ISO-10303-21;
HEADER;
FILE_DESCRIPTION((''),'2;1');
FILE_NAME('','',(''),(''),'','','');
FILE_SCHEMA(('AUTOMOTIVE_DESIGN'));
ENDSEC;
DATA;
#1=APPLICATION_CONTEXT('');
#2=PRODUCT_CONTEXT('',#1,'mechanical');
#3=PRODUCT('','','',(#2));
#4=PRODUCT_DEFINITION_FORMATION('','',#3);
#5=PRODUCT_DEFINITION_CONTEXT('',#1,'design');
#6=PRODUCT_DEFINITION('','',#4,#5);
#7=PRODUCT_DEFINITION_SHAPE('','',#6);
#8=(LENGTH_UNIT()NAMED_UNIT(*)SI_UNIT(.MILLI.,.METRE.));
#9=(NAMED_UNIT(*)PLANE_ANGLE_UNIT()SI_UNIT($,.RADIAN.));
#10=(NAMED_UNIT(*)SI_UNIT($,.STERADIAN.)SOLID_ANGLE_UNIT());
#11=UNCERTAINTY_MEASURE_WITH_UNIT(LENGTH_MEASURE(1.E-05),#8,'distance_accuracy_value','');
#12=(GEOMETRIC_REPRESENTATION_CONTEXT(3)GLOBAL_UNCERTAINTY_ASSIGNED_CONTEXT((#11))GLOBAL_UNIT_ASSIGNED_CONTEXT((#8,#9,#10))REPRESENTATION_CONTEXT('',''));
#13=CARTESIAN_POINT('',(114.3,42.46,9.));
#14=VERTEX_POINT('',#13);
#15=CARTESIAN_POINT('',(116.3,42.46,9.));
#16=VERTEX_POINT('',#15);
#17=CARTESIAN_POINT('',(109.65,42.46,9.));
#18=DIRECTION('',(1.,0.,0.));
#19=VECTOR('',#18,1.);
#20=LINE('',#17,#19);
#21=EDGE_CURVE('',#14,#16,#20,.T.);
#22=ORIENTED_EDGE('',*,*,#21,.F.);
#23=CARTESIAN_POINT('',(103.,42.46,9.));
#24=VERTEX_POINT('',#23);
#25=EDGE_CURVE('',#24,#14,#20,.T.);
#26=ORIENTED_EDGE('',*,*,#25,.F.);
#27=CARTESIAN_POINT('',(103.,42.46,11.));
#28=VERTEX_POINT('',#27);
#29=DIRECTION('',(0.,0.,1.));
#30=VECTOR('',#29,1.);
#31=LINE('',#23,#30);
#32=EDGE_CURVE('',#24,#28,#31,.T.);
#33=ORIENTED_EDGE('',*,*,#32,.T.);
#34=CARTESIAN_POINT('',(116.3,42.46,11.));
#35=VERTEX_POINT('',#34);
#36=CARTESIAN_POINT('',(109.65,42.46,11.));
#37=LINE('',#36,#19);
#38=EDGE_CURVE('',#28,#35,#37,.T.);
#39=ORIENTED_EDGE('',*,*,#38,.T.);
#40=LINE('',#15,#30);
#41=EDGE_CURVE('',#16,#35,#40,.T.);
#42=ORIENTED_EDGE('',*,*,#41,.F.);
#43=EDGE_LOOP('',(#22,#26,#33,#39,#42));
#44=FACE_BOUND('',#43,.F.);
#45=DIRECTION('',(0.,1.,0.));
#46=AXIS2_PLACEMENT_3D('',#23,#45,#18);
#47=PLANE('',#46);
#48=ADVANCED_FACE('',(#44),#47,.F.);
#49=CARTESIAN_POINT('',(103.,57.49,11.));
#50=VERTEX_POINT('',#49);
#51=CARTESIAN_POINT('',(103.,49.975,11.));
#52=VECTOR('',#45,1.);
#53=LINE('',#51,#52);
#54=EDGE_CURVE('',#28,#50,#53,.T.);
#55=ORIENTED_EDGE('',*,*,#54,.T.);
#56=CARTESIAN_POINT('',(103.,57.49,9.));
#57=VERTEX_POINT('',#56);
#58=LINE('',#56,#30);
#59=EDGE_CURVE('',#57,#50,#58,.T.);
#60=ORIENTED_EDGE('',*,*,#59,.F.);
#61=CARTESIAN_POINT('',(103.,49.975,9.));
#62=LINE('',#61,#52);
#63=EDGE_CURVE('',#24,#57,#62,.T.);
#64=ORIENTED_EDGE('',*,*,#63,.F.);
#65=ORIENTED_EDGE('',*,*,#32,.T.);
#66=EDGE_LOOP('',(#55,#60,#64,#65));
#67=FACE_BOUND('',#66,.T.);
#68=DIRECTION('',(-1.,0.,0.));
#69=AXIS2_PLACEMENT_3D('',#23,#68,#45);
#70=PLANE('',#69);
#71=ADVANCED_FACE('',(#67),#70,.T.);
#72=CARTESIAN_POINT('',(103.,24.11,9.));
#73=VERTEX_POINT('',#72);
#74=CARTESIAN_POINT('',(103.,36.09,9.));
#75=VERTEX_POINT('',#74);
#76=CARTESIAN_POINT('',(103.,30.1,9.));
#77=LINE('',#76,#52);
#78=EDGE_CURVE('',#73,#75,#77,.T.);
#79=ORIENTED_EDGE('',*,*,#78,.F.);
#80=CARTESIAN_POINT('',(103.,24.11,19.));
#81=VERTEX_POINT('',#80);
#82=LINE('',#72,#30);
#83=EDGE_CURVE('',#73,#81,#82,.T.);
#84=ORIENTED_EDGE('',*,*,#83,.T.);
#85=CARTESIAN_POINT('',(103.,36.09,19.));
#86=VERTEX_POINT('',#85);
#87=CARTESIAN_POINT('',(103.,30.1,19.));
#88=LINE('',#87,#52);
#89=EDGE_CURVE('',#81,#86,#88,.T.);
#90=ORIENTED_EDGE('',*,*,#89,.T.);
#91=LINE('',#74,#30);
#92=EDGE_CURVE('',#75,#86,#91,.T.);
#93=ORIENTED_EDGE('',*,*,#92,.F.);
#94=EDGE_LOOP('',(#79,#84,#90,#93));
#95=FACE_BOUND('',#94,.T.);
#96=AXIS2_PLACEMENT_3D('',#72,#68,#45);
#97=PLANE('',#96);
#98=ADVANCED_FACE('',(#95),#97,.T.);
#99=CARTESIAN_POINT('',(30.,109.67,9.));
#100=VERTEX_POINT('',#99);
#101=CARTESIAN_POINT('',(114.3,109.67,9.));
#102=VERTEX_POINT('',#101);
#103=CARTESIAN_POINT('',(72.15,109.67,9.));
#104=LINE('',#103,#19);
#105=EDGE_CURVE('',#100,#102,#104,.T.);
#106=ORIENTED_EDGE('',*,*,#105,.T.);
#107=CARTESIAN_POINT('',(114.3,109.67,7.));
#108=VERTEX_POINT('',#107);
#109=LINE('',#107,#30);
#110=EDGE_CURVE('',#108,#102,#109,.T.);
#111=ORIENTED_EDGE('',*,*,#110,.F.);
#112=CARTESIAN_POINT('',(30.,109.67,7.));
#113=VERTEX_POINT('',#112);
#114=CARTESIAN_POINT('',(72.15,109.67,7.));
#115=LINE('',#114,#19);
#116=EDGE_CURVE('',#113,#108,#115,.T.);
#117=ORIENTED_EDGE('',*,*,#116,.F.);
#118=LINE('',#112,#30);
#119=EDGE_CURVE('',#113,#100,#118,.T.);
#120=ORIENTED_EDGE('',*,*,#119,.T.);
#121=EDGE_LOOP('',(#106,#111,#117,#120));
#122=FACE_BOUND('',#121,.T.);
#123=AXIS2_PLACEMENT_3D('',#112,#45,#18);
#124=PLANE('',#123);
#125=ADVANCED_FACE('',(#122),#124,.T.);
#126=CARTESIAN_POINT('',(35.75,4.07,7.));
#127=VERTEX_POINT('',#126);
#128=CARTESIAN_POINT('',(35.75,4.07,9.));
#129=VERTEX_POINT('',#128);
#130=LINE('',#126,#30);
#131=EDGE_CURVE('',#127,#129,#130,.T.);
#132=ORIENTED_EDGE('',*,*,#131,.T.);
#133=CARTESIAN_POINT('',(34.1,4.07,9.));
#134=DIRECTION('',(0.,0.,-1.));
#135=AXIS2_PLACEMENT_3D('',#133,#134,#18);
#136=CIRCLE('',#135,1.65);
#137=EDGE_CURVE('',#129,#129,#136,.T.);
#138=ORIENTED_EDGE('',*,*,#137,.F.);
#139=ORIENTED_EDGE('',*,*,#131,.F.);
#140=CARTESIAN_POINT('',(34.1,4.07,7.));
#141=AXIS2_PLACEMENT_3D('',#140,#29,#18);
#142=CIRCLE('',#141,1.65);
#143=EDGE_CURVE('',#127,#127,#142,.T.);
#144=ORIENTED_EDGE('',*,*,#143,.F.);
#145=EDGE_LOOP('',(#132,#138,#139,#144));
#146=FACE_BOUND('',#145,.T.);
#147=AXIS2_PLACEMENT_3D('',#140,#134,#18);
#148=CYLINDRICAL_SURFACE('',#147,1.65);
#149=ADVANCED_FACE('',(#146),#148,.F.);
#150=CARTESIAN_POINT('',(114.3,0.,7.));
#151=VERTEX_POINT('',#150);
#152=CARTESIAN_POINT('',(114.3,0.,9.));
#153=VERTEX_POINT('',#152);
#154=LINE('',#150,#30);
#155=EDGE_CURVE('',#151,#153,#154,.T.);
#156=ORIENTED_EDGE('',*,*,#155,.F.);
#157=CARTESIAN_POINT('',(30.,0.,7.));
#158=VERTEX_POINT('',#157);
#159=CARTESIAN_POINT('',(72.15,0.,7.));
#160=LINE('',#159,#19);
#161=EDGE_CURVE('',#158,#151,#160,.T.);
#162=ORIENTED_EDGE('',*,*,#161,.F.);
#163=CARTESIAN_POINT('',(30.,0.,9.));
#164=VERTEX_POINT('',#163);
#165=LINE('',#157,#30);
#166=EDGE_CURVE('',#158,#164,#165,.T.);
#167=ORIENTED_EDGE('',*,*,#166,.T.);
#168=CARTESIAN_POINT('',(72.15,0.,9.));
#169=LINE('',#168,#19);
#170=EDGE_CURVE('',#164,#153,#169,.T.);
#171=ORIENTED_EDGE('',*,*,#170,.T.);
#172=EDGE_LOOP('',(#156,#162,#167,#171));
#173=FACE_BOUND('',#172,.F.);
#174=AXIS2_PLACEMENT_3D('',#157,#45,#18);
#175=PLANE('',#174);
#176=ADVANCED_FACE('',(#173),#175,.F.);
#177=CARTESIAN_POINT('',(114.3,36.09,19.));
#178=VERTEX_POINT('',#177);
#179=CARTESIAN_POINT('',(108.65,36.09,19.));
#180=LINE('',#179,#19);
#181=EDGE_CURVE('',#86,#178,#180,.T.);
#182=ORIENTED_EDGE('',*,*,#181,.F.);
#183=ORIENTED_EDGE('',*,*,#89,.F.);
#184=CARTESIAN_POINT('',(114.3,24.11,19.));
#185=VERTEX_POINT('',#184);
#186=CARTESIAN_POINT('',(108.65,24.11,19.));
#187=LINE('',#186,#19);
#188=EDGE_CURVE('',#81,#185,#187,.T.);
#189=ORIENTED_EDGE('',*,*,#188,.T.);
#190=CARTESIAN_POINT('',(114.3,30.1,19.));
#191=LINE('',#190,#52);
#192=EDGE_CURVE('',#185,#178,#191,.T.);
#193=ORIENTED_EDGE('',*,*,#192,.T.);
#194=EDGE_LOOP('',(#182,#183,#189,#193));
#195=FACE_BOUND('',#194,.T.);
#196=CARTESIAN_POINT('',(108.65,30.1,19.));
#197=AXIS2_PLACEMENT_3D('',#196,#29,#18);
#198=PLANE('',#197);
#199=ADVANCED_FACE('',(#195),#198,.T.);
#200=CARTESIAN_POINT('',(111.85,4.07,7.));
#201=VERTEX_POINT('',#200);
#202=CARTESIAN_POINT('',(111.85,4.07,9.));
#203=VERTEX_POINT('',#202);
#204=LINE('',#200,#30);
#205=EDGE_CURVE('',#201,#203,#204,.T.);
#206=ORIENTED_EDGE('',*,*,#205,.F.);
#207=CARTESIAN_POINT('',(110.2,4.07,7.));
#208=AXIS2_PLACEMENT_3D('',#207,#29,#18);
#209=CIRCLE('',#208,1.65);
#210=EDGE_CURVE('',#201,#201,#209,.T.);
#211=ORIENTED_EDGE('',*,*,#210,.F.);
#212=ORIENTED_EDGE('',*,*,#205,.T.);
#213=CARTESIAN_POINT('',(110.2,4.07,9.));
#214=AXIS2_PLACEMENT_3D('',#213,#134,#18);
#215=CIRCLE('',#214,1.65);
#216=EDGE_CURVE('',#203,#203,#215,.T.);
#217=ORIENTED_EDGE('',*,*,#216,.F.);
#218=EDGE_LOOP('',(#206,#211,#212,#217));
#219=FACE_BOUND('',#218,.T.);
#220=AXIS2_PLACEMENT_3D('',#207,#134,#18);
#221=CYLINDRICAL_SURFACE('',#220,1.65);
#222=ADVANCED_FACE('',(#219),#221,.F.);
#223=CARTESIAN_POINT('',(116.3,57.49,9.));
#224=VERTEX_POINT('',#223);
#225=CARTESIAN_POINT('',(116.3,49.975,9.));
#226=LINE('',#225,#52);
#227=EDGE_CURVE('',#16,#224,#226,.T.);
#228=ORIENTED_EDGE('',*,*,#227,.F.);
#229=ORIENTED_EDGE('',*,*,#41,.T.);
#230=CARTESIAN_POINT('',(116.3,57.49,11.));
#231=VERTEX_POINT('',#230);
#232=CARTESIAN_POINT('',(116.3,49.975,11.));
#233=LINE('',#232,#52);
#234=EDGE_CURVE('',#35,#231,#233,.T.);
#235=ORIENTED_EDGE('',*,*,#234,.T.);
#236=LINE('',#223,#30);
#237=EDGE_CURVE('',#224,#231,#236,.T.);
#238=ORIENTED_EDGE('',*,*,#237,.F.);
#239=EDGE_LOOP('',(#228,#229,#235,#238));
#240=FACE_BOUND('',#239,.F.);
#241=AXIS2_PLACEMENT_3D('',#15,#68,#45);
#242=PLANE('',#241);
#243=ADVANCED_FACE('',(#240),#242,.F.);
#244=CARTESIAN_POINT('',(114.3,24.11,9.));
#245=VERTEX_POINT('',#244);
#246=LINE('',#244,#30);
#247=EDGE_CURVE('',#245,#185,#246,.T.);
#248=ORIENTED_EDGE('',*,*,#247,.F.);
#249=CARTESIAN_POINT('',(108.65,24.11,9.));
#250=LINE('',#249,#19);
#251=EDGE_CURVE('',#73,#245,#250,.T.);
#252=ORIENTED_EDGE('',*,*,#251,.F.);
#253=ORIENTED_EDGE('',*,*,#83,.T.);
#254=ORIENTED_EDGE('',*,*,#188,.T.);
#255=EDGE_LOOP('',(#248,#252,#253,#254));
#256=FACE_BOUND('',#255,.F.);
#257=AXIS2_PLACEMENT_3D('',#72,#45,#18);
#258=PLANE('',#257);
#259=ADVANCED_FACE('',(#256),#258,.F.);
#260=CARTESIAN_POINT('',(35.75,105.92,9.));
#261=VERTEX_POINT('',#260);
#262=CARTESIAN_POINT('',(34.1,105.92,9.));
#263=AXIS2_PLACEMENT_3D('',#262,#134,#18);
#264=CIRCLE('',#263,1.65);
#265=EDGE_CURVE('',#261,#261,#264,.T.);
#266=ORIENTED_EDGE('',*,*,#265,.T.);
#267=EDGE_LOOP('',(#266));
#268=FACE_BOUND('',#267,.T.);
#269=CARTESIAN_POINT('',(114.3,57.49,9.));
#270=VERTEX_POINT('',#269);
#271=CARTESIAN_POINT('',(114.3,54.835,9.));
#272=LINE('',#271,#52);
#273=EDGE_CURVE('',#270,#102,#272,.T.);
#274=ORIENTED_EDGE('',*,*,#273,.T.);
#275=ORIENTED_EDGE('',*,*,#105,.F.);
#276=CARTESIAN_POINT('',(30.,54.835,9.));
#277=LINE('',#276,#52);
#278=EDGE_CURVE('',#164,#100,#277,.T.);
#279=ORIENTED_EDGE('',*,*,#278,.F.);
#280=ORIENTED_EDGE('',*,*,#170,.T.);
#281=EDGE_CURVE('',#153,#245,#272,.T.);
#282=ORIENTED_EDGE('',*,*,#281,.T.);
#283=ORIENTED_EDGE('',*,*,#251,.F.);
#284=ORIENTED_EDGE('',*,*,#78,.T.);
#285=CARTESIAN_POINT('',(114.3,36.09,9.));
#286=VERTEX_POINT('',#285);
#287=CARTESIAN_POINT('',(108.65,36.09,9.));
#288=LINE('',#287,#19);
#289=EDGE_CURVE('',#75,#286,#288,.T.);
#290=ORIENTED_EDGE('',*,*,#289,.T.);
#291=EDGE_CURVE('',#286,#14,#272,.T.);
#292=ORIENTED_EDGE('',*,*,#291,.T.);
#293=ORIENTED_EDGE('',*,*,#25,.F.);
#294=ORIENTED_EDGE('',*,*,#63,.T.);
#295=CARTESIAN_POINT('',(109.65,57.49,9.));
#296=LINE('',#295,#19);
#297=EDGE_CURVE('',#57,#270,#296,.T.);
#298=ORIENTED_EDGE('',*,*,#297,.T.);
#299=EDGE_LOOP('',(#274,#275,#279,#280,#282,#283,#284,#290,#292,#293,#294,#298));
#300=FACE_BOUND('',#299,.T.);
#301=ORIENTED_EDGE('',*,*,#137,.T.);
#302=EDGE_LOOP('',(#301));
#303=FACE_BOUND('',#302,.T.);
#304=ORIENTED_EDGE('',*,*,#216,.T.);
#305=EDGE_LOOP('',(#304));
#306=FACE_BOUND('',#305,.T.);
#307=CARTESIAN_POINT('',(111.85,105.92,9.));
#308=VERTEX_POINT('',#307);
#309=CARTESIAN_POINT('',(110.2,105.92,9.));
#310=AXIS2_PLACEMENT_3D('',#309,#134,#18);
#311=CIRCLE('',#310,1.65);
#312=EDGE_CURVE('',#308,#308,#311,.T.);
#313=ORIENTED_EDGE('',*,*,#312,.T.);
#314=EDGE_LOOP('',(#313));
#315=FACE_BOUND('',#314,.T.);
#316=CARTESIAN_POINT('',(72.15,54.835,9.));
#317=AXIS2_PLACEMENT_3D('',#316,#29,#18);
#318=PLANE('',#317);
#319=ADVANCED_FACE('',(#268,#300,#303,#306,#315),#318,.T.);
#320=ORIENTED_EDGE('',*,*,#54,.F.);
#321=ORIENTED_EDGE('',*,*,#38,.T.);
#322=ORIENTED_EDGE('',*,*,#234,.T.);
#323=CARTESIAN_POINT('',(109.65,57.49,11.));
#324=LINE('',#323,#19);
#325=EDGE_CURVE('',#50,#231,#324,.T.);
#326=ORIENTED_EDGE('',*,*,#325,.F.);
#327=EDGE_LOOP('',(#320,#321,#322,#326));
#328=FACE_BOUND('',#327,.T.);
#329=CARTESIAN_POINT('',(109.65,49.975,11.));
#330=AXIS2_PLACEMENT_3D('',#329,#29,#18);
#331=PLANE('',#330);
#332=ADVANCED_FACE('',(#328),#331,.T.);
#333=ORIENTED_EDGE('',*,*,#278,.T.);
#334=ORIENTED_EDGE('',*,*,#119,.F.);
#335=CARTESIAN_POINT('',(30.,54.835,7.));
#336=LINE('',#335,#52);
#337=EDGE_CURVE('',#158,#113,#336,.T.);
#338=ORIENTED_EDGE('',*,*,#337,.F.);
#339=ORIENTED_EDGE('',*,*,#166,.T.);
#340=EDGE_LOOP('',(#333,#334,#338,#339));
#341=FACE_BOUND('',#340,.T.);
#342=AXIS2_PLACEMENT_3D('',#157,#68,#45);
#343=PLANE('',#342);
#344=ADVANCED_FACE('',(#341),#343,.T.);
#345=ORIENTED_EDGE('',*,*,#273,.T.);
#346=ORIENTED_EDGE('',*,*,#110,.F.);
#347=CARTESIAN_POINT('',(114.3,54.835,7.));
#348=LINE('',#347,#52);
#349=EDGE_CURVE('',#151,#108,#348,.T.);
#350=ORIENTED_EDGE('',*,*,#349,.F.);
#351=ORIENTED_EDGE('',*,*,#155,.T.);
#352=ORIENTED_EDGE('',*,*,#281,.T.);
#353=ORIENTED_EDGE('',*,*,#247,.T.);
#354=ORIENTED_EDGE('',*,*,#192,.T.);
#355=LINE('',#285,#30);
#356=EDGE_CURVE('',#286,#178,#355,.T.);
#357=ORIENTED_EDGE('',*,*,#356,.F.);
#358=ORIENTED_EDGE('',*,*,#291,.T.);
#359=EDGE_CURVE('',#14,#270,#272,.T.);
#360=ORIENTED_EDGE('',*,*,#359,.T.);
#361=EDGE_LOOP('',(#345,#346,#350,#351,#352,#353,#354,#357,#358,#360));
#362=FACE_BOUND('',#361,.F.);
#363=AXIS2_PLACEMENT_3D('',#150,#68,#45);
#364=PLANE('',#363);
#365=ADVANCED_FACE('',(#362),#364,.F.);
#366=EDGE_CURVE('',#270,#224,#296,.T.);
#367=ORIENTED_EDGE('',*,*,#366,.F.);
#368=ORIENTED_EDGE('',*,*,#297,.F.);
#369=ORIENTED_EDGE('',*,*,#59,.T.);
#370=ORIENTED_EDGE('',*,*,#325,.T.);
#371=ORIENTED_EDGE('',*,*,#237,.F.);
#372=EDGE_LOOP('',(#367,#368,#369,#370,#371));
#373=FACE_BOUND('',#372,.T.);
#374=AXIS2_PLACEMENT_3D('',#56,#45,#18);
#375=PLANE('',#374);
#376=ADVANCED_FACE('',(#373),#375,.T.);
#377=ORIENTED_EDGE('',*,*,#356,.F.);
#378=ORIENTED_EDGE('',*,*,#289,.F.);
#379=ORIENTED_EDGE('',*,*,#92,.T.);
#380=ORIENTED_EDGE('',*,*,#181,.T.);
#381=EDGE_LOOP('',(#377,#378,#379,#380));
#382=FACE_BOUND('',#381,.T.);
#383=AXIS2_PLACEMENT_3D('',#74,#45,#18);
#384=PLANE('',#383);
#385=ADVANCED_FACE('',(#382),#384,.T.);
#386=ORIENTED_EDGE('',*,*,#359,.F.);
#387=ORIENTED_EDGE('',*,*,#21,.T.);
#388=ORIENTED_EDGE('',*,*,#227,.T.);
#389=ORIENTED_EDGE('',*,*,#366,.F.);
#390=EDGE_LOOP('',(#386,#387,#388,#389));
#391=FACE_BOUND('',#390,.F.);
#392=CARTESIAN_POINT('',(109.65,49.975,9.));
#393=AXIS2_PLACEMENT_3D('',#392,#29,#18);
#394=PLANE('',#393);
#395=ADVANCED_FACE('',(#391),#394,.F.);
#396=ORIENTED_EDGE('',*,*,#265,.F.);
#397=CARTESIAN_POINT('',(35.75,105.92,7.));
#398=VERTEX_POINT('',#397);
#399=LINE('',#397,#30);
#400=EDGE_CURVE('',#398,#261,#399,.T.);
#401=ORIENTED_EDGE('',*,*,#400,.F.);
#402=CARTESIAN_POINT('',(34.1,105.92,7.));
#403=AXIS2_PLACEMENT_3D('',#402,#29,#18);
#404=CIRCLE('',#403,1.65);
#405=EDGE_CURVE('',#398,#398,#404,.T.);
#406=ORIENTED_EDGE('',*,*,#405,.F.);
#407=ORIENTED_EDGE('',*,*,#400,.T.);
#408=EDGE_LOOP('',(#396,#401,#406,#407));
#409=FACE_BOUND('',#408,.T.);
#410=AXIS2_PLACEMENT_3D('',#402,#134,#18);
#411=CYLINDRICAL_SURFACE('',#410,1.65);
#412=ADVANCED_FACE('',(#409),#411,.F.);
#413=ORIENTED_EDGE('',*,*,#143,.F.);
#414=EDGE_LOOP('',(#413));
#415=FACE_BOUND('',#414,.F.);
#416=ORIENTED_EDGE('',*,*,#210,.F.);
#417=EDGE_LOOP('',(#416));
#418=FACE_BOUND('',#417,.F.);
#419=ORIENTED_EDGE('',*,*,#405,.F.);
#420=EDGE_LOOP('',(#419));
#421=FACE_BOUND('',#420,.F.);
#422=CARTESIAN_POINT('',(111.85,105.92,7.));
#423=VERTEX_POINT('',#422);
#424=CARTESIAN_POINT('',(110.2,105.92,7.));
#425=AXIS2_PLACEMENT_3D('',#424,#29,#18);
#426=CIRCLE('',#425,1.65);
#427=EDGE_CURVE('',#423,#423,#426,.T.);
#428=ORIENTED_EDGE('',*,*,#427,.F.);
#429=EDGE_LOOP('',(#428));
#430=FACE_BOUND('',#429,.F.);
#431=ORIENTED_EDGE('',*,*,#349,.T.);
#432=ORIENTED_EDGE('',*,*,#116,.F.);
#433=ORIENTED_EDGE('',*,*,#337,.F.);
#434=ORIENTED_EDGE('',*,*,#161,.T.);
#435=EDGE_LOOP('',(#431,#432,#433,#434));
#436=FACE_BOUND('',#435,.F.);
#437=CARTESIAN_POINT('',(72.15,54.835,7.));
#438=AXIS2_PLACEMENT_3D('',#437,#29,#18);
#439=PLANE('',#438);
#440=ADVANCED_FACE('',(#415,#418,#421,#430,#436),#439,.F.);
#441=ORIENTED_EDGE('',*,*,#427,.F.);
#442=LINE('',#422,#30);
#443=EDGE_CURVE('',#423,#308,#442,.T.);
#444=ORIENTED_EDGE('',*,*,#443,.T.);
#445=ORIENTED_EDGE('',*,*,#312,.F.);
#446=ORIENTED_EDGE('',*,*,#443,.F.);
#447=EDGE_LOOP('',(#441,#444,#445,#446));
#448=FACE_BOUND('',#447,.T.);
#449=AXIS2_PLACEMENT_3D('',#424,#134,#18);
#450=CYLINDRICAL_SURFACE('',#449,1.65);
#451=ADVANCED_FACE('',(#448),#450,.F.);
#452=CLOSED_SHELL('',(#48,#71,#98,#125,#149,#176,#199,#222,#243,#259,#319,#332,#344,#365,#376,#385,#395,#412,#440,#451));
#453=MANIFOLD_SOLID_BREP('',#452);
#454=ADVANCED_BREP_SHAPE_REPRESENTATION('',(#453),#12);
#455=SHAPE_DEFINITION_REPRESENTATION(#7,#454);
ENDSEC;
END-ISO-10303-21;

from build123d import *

# Parameters (mm, degrees)
BOX002_W          = 13.3
BOX002_H          = 15.03
BOX002_DEPTH      = 2
CYLINDER002_R     = 1.65
CYLINDER002_DEPTH = 10
CYLINDER001_R     = 1.65
CYLINDER001_DEPTH = 10
CYLINDER_R        = 1.65
CYLINDER_DEPTH    = 10
CYLINDER003_R     = 1.65
CYLINDER003_DEPTH = 10
BOX_W             = 84.3
BOX_H             = 109.67
BOX_DEPTH         = 2
BOX001_W          = 11.3
BOX001_H          = 11.98
BOX001_DEPTH      = 10


with BuildPart() as sd_pos:
    # Box002 → Box002 (new body)
    with BuildSketch(Plane(origin=(73, 42.46, 2), x_dir=(1, 0, 0), z_dir=(0, 0, 1))):
        with Locations((6.65, 7.515)):
            Rectangle(BOX002_W, BOX002_H)
    extrude(amount=BOX002_DEPTH)


with BuildPart() as cylinder002:
    # Cylinder002 → Cylinder002 (new body)
    with BuildSketch(Plane(origin=(80.2, 4.07, 0), x_dir=(1, 0, 0), z_dir=(0, 0, 1))):
        Circle(CYLINDER002_R)
    extrude(amount=CYLINDER002_DEPTH)


with BuildPart() as cylinder001:
    # Cylinder001 → Cylinder001 (new body)
    with BuildSketch(Plane(origin=(80.2, 105.92, 0), x_dir=(1, 0, 0), z_dir=(0, 0, 1))):
        Circle(CYLINDER001_R)
    extrude(amount=CYLINDER001_DEPTH)


with BuildPart() as cylinder:
    # Cylinder → Cylinder (new body)
    with BuildSketch(Plane(origin=(4.1, 105.92, 0), x_dir=(1, 0, 0), z_dir=(0, 0, 1))):
        Circle(CYLINDER_R)
    extrude(amount=CYLINDER_DEPTH)


with BuildPart() as board_hole_pos:
    # Cylinder003 → Cylinder003 (new body)
    with BuildSketch(Plane(origin=(4.1, 4.07, 0), x_dir=(1, 0, 0), z_dir=(0, 0, 1))):
        Circle(CYLINDER003_R)
    extrude(amount=CYLINDER003_DEPTH)

    # Fusion: union Cylinder002, Cylinder001, Cylinder
    add(cylinder002.part)
    add(cylinder001.part)
    add(cylinder.part)


with BuildPart() as cut:
    # Box → Box (new body)
    with BuildSketch(Plane.XY):
        with Locations((42.15, 54.835)):
            Rectangle(BOX_W, BOX_H)
    extrude(amount=BOX_DEPTH)

    # Cut: cut board-hole-pos
    add(board_hole_pos.part, mode=Mode.SUBTRACT)


with BuildPart() as skr_pref:
    # Box001 → Box001 (new body)
    with BuildSketch(Plane(origin=(73, 24.11, 2), x_dir=(1, 0, 0), z_dir=(0, 0, 1))):
        with Locations((5.65, 5.99)):
            Rectangle(BOX001_W, BOX001_H)
    extrude(amount=BOX001_DEPTH)

    # Fusion010004007002: union sd-pos, Cut
    add(sd_pos.part)
    add(cut.part)


with BuildPart() as skr_pref_1:
    # Fusion010004007002 placement: moved
    add(skr_pref.part.moved(Location((30, 0, 7))))


solid = skr_pref_1.part
